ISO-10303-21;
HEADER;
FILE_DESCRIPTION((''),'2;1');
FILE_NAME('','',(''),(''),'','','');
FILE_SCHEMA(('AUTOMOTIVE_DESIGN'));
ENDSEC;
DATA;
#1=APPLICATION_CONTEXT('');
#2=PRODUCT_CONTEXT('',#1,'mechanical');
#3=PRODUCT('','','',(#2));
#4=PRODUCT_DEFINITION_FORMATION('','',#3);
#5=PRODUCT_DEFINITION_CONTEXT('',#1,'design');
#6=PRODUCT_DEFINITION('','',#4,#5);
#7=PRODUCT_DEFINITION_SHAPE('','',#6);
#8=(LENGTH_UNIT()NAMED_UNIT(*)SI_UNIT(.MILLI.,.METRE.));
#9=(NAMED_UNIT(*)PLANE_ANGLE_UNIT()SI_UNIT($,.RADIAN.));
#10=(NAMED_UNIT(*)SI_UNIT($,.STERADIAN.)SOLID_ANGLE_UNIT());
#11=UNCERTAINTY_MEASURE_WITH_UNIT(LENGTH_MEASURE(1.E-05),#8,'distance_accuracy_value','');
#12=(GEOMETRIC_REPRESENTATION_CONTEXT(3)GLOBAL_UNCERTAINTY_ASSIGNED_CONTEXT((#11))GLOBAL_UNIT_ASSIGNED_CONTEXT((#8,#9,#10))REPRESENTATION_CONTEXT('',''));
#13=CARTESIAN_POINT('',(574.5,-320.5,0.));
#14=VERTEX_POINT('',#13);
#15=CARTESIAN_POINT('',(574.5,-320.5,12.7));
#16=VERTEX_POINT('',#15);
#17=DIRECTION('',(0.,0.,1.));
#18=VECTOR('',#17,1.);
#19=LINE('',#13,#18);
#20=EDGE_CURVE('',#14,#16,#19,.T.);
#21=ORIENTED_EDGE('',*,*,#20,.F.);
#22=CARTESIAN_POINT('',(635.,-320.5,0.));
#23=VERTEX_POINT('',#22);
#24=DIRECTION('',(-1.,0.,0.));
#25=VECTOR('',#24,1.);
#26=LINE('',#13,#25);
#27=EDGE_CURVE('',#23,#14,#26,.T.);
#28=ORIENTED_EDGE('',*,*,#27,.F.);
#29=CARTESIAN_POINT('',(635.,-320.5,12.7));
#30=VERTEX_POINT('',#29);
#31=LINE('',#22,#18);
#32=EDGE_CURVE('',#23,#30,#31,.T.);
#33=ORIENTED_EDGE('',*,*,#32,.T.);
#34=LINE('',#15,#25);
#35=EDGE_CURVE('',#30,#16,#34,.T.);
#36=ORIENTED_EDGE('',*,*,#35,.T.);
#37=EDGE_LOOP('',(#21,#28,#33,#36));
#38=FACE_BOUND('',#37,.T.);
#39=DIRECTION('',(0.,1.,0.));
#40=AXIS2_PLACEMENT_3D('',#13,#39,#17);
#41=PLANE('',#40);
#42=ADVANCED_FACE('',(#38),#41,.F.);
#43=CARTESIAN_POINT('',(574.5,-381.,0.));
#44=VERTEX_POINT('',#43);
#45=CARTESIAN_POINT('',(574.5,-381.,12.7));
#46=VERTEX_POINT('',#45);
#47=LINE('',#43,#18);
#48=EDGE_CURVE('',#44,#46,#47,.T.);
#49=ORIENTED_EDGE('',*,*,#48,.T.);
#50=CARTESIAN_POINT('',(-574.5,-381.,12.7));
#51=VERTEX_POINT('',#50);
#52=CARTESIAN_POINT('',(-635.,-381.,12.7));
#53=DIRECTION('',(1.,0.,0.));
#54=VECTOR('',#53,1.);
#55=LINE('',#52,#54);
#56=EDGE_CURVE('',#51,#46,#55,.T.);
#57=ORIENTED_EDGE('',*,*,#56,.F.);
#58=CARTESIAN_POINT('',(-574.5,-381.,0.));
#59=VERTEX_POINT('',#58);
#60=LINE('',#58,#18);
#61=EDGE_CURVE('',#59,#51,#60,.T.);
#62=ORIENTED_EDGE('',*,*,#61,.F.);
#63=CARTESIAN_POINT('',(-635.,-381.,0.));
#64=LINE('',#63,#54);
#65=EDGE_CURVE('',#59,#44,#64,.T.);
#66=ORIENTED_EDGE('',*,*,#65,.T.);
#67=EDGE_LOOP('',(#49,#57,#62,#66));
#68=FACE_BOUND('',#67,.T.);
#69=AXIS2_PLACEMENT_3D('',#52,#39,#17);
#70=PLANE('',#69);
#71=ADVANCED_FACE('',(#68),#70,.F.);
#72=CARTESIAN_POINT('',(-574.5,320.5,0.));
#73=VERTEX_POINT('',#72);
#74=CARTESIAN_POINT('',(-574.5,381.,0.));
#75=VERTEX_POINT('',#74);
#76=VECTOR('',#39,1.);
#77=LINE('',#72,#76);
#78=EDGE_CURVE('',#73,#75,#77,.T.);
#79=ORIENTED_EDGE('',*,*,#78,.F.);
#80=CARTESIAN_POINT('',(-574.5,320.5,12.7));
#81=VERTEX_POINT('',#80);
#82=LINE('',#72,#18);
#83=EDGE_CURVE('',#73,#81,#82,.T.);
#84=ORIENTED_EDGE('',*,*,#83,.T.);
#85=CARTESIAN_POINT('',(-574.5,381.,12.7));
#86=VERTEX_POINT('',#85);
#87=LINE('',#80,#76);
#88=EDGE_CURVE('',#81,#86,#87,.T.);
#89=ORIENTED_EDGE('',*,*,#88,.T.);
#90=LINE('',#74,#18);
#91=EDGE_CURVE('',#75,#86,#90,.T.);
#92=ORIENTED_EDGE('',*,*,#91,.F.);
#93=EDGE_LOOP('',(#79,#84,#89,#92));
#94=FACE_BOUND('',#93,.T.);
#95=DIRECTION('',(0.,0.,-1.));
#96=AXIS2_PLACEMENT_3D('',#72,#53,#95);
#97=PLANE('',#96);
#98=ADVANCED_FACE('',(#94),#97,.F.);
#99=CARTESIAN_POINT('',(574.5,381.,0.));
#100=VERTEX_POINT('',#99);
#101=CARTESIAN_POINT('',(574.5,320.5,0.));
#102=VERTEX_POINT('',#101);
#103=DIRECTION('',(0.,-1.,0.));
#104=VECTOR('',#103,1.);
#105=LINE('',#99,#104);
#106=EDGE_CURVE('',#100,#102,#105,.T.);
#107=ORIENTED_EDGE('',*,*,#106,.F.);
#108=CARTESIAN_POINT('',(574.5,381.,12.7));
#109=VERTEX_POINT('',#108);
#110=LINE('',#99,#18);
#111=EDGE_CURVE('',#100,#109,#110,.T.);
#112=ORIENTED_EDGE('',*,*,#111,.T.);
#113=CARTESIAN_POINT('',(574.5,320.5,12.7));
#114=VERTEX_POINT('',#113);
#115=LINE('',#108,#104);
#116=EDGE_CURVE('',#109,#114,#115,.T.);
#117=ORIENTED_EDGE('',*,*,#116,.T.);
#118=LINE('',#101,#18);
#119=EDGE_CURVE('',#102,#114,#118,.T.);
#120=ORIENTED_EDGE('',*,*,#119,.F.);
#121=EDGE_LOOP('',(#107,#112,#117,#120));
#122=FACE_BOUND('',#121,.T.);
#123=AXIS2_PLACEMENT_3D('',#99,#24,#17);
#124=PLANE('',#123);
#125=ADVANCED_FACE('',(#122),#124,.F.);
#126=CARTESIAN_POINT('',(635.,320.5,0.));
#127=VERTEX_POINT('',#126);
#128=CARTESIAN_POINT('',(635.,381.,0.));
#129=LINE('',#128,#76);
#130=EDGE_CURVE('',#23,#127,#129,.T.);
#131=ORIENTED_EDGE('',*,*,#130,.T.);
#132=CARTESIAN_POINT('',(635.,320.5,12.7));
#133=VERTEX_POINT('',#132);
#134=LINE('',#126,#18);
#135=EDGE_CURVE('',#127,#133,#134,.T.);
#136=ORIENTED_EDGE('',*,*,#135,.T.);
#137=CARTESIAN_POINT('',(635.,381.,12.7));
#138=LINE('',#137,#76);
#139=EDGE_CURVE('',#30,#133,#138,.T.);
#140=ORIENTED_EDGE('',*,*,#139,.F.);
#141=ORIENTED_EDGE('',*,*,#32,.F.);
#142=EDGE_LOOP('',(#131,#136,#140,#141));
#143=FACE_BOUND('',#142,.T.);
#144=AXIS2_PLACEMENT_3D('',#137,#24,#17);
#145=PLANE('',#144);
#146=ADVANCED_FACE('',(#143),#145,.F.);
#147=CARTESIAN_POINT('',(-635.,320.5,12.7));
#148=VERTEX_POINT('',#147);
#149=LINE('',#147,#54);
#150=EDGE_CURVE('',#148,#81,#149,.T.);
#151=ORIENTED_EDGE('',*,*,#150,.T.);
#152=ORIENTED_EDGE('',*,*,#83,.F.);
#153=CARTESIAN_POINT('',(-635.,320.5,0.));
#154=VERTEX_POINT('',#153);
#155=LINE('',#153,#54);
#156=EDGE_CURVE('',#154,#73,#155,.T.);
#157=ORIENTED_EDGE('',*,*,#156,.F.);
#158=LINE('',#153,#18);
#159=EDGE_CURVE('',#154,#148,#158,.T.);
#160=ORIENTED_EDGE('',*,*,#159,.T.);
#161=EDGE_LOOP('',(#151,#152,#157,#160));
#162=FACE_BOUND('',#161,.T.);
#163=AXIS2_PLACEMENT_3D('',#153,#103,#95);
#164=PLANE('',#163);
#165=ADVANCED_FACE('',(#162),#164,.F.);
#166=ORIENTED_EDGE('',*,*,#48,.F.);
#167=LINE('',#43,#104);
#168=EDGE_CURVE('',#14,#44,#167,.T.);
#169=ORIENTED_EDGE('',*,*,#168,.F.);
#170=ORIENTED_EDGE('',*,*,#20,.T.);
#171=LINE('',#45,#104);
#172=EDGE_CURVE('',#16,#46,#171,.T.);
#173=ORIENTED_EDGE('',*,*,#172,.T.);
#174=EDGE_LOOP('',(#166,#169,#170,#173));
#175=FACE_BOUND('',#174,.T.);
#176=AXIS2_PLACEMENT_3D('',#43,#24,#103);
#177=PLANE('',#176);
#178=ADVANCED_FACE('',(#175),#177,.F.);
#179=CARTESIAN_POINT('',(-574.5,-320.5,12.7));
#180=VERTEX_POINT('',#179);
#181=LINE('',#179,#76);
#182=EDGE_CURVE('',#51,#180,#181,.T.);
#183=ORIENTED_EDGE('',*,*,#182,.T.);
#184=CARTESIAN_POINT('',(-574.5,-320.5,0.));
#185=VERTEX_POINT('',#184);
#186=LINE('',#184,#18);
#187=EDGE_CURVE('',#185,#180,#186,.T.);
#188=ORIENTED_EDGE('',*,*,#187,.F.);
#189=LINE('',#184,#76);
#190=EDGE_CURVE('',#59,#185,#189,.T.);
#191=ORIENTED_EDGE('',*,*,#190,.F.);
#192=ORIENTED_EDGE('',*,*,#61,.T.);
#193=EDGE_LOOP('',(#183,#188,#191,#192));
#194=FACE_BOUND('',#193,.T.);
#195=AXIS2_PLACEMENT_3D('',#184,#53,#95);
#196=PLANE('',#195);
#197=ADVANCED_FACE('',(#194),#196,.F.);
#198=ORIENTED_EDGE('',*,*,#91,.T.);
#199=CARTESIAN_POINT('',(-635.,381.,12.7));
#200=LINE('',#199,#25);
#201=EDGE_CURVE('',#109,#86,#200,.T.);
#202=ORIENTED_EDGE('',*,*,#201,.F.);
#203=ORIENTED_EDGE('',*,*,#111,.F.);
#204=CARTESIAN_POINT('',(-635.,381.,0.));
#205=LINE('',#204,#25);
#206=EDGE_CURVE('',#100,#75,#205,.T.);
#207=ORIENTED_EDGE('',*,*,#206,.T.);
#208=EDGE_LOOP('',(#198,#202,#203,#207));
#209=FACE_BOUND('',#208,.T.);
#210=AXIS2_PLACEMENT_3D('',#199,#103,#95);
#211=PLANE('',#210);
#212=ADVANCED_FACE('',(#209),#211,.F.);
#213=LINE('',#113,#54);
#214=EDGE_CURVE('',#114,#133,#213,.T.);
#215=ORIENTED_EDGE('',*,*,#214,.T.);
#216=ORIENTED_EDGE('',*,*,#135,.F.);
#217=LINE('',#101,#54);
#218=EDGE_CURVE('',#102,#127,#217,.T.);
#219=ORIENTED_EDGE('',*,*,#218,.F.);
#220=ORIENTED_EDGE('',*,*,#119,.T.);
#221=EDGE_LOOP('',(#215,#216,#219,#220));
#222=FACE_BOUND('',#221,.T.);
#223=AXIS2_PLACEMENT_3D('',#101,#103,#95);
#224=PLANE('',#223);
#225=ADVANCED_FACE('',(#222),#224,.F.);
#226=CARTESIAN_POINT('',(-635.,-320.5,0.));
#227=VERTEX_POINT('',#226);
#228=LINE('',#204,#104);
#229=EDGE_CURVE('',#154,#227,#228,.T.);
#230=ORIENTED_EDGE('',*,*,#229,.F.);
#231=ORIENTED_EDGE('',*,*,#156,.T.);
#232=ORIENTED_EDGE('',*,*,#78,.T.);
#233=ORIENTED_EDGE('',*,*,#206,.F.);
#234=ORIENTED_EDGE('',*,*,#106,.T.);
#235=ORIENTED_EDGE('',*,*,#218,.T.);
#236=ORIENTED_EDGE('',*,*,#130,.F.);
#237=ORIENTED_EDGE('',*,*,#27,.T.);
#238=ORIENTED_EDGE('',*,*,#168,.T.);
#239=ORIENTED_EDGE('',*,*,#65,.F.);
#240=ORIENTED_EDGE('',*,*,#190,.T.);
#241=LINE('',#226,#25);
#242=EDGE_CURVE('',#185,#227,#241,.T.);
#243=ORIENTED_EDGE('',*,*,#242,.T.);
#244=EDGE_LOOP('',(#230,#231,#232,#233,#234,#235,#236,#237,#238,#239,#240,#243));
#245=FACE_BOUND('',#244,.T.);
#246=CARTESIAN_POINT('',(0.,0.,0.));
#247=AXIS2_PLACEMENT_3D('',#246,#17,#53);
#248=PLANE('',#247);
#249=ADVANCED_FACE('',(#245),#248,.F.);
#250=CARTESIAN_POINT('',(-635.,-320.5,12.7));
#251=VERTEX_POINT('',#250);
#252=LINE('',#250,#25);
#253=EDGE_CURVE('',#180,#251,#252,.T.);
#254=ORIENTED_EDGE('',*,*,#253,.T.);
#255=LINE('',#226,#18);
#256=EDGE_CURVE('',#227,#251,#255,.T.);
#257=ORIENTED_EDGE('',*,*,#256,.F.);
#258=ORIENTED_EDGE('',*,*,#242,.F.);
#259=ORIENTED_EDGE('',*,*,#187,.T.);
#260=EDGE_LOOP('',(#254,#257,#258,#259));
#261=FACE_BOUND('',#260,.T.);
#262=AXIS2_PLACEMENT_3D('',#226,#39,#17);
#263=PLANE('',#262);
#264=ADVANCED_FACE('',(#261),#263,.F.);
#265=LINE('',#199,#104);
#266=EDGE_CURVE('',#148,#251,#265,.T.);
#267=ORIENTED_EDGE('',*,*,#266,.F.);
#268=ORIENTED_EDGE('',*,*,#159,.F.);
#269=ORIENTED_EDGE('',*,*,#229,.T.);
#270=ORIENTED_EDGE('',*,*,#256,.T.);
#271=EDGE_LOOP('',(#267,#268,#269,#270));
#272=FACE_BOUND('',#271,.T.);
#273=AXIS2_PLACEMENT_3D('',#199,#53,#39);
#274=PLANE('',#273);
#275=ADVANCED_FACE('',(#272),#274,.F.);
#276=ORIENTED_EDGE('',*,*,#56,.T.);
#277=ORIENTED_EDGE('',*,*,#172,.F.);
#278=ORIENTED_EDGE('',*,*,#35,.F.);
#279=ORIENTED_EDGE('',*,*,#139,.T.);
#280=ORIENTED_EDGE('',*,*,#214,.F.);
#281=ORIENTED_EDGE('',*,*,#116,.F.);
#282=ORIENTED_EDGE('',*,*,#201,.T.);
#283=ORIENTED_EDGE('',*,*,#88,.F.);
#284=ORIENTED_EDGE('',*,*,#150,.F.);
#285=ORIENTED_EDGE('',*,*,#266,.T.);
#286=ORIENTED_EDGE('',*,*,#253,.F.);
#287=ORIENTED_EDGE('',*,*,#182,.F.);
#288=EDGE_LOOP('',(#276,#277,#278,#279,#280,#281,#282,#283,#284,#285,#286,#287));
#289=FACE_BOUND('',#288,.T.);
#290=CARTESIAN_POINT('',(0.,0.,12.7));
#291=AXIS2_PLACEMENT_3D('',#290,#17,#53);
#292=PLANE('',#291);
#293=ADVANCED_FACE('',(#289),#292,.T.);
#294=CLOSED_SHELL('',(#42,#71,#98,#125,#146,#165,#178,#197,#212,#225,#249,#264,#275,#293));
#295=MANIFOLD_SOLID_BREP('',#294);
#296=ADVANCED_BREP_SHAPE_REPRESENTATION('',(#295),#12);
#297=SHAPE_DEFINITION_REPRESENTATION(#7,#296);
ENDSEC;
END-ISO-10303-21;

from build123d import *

# Parameters (mm, degrees)
SKETCH1_W           = 1270
SKETCH1_H           = 762
BOSS_EXTRUDE1_DEPTH = 12.7
SKETCH2_W           = 60.5
SKETCH2_H           = 60.5
CUT_EXTRUDE1_DEPTH  = 741.639784241


with BuildPart() as part:
    # Sketch1 → Boss-Extrude1 (new body)
    with BuildSketch(Plane.XY):
        Rectangle(SKETCH1_W, SKETCH1_H)
    extrude(amount=BOSS_EXTRUDE1_DEPTH)

    # Sketch2 → Cut-Extrude1 (cut, through all)
    with BuildSketch(Plane.XY.offset(12.7)):
        with Locations((-604.75, 350.75)):
            Rectangle(SKETCH2_W, SKETCH2_H)
        with Locations((604.75, 350.75)):
            Rectangle(SKETCH2_W, SKETCH2_H)
        with Locations((604.75, -350.75)):
            Rectangle(SKETCH2_W, SKETCH2_H)
        with Locations((-604.75, -350.75)):
            Rectangle(SKETCH2_W, SKETCH2_H)
    extrude(amount=-CUT_EXTRUDE1_DEPTH, mode=Mode.SUBTRACT)


solid = part.part
